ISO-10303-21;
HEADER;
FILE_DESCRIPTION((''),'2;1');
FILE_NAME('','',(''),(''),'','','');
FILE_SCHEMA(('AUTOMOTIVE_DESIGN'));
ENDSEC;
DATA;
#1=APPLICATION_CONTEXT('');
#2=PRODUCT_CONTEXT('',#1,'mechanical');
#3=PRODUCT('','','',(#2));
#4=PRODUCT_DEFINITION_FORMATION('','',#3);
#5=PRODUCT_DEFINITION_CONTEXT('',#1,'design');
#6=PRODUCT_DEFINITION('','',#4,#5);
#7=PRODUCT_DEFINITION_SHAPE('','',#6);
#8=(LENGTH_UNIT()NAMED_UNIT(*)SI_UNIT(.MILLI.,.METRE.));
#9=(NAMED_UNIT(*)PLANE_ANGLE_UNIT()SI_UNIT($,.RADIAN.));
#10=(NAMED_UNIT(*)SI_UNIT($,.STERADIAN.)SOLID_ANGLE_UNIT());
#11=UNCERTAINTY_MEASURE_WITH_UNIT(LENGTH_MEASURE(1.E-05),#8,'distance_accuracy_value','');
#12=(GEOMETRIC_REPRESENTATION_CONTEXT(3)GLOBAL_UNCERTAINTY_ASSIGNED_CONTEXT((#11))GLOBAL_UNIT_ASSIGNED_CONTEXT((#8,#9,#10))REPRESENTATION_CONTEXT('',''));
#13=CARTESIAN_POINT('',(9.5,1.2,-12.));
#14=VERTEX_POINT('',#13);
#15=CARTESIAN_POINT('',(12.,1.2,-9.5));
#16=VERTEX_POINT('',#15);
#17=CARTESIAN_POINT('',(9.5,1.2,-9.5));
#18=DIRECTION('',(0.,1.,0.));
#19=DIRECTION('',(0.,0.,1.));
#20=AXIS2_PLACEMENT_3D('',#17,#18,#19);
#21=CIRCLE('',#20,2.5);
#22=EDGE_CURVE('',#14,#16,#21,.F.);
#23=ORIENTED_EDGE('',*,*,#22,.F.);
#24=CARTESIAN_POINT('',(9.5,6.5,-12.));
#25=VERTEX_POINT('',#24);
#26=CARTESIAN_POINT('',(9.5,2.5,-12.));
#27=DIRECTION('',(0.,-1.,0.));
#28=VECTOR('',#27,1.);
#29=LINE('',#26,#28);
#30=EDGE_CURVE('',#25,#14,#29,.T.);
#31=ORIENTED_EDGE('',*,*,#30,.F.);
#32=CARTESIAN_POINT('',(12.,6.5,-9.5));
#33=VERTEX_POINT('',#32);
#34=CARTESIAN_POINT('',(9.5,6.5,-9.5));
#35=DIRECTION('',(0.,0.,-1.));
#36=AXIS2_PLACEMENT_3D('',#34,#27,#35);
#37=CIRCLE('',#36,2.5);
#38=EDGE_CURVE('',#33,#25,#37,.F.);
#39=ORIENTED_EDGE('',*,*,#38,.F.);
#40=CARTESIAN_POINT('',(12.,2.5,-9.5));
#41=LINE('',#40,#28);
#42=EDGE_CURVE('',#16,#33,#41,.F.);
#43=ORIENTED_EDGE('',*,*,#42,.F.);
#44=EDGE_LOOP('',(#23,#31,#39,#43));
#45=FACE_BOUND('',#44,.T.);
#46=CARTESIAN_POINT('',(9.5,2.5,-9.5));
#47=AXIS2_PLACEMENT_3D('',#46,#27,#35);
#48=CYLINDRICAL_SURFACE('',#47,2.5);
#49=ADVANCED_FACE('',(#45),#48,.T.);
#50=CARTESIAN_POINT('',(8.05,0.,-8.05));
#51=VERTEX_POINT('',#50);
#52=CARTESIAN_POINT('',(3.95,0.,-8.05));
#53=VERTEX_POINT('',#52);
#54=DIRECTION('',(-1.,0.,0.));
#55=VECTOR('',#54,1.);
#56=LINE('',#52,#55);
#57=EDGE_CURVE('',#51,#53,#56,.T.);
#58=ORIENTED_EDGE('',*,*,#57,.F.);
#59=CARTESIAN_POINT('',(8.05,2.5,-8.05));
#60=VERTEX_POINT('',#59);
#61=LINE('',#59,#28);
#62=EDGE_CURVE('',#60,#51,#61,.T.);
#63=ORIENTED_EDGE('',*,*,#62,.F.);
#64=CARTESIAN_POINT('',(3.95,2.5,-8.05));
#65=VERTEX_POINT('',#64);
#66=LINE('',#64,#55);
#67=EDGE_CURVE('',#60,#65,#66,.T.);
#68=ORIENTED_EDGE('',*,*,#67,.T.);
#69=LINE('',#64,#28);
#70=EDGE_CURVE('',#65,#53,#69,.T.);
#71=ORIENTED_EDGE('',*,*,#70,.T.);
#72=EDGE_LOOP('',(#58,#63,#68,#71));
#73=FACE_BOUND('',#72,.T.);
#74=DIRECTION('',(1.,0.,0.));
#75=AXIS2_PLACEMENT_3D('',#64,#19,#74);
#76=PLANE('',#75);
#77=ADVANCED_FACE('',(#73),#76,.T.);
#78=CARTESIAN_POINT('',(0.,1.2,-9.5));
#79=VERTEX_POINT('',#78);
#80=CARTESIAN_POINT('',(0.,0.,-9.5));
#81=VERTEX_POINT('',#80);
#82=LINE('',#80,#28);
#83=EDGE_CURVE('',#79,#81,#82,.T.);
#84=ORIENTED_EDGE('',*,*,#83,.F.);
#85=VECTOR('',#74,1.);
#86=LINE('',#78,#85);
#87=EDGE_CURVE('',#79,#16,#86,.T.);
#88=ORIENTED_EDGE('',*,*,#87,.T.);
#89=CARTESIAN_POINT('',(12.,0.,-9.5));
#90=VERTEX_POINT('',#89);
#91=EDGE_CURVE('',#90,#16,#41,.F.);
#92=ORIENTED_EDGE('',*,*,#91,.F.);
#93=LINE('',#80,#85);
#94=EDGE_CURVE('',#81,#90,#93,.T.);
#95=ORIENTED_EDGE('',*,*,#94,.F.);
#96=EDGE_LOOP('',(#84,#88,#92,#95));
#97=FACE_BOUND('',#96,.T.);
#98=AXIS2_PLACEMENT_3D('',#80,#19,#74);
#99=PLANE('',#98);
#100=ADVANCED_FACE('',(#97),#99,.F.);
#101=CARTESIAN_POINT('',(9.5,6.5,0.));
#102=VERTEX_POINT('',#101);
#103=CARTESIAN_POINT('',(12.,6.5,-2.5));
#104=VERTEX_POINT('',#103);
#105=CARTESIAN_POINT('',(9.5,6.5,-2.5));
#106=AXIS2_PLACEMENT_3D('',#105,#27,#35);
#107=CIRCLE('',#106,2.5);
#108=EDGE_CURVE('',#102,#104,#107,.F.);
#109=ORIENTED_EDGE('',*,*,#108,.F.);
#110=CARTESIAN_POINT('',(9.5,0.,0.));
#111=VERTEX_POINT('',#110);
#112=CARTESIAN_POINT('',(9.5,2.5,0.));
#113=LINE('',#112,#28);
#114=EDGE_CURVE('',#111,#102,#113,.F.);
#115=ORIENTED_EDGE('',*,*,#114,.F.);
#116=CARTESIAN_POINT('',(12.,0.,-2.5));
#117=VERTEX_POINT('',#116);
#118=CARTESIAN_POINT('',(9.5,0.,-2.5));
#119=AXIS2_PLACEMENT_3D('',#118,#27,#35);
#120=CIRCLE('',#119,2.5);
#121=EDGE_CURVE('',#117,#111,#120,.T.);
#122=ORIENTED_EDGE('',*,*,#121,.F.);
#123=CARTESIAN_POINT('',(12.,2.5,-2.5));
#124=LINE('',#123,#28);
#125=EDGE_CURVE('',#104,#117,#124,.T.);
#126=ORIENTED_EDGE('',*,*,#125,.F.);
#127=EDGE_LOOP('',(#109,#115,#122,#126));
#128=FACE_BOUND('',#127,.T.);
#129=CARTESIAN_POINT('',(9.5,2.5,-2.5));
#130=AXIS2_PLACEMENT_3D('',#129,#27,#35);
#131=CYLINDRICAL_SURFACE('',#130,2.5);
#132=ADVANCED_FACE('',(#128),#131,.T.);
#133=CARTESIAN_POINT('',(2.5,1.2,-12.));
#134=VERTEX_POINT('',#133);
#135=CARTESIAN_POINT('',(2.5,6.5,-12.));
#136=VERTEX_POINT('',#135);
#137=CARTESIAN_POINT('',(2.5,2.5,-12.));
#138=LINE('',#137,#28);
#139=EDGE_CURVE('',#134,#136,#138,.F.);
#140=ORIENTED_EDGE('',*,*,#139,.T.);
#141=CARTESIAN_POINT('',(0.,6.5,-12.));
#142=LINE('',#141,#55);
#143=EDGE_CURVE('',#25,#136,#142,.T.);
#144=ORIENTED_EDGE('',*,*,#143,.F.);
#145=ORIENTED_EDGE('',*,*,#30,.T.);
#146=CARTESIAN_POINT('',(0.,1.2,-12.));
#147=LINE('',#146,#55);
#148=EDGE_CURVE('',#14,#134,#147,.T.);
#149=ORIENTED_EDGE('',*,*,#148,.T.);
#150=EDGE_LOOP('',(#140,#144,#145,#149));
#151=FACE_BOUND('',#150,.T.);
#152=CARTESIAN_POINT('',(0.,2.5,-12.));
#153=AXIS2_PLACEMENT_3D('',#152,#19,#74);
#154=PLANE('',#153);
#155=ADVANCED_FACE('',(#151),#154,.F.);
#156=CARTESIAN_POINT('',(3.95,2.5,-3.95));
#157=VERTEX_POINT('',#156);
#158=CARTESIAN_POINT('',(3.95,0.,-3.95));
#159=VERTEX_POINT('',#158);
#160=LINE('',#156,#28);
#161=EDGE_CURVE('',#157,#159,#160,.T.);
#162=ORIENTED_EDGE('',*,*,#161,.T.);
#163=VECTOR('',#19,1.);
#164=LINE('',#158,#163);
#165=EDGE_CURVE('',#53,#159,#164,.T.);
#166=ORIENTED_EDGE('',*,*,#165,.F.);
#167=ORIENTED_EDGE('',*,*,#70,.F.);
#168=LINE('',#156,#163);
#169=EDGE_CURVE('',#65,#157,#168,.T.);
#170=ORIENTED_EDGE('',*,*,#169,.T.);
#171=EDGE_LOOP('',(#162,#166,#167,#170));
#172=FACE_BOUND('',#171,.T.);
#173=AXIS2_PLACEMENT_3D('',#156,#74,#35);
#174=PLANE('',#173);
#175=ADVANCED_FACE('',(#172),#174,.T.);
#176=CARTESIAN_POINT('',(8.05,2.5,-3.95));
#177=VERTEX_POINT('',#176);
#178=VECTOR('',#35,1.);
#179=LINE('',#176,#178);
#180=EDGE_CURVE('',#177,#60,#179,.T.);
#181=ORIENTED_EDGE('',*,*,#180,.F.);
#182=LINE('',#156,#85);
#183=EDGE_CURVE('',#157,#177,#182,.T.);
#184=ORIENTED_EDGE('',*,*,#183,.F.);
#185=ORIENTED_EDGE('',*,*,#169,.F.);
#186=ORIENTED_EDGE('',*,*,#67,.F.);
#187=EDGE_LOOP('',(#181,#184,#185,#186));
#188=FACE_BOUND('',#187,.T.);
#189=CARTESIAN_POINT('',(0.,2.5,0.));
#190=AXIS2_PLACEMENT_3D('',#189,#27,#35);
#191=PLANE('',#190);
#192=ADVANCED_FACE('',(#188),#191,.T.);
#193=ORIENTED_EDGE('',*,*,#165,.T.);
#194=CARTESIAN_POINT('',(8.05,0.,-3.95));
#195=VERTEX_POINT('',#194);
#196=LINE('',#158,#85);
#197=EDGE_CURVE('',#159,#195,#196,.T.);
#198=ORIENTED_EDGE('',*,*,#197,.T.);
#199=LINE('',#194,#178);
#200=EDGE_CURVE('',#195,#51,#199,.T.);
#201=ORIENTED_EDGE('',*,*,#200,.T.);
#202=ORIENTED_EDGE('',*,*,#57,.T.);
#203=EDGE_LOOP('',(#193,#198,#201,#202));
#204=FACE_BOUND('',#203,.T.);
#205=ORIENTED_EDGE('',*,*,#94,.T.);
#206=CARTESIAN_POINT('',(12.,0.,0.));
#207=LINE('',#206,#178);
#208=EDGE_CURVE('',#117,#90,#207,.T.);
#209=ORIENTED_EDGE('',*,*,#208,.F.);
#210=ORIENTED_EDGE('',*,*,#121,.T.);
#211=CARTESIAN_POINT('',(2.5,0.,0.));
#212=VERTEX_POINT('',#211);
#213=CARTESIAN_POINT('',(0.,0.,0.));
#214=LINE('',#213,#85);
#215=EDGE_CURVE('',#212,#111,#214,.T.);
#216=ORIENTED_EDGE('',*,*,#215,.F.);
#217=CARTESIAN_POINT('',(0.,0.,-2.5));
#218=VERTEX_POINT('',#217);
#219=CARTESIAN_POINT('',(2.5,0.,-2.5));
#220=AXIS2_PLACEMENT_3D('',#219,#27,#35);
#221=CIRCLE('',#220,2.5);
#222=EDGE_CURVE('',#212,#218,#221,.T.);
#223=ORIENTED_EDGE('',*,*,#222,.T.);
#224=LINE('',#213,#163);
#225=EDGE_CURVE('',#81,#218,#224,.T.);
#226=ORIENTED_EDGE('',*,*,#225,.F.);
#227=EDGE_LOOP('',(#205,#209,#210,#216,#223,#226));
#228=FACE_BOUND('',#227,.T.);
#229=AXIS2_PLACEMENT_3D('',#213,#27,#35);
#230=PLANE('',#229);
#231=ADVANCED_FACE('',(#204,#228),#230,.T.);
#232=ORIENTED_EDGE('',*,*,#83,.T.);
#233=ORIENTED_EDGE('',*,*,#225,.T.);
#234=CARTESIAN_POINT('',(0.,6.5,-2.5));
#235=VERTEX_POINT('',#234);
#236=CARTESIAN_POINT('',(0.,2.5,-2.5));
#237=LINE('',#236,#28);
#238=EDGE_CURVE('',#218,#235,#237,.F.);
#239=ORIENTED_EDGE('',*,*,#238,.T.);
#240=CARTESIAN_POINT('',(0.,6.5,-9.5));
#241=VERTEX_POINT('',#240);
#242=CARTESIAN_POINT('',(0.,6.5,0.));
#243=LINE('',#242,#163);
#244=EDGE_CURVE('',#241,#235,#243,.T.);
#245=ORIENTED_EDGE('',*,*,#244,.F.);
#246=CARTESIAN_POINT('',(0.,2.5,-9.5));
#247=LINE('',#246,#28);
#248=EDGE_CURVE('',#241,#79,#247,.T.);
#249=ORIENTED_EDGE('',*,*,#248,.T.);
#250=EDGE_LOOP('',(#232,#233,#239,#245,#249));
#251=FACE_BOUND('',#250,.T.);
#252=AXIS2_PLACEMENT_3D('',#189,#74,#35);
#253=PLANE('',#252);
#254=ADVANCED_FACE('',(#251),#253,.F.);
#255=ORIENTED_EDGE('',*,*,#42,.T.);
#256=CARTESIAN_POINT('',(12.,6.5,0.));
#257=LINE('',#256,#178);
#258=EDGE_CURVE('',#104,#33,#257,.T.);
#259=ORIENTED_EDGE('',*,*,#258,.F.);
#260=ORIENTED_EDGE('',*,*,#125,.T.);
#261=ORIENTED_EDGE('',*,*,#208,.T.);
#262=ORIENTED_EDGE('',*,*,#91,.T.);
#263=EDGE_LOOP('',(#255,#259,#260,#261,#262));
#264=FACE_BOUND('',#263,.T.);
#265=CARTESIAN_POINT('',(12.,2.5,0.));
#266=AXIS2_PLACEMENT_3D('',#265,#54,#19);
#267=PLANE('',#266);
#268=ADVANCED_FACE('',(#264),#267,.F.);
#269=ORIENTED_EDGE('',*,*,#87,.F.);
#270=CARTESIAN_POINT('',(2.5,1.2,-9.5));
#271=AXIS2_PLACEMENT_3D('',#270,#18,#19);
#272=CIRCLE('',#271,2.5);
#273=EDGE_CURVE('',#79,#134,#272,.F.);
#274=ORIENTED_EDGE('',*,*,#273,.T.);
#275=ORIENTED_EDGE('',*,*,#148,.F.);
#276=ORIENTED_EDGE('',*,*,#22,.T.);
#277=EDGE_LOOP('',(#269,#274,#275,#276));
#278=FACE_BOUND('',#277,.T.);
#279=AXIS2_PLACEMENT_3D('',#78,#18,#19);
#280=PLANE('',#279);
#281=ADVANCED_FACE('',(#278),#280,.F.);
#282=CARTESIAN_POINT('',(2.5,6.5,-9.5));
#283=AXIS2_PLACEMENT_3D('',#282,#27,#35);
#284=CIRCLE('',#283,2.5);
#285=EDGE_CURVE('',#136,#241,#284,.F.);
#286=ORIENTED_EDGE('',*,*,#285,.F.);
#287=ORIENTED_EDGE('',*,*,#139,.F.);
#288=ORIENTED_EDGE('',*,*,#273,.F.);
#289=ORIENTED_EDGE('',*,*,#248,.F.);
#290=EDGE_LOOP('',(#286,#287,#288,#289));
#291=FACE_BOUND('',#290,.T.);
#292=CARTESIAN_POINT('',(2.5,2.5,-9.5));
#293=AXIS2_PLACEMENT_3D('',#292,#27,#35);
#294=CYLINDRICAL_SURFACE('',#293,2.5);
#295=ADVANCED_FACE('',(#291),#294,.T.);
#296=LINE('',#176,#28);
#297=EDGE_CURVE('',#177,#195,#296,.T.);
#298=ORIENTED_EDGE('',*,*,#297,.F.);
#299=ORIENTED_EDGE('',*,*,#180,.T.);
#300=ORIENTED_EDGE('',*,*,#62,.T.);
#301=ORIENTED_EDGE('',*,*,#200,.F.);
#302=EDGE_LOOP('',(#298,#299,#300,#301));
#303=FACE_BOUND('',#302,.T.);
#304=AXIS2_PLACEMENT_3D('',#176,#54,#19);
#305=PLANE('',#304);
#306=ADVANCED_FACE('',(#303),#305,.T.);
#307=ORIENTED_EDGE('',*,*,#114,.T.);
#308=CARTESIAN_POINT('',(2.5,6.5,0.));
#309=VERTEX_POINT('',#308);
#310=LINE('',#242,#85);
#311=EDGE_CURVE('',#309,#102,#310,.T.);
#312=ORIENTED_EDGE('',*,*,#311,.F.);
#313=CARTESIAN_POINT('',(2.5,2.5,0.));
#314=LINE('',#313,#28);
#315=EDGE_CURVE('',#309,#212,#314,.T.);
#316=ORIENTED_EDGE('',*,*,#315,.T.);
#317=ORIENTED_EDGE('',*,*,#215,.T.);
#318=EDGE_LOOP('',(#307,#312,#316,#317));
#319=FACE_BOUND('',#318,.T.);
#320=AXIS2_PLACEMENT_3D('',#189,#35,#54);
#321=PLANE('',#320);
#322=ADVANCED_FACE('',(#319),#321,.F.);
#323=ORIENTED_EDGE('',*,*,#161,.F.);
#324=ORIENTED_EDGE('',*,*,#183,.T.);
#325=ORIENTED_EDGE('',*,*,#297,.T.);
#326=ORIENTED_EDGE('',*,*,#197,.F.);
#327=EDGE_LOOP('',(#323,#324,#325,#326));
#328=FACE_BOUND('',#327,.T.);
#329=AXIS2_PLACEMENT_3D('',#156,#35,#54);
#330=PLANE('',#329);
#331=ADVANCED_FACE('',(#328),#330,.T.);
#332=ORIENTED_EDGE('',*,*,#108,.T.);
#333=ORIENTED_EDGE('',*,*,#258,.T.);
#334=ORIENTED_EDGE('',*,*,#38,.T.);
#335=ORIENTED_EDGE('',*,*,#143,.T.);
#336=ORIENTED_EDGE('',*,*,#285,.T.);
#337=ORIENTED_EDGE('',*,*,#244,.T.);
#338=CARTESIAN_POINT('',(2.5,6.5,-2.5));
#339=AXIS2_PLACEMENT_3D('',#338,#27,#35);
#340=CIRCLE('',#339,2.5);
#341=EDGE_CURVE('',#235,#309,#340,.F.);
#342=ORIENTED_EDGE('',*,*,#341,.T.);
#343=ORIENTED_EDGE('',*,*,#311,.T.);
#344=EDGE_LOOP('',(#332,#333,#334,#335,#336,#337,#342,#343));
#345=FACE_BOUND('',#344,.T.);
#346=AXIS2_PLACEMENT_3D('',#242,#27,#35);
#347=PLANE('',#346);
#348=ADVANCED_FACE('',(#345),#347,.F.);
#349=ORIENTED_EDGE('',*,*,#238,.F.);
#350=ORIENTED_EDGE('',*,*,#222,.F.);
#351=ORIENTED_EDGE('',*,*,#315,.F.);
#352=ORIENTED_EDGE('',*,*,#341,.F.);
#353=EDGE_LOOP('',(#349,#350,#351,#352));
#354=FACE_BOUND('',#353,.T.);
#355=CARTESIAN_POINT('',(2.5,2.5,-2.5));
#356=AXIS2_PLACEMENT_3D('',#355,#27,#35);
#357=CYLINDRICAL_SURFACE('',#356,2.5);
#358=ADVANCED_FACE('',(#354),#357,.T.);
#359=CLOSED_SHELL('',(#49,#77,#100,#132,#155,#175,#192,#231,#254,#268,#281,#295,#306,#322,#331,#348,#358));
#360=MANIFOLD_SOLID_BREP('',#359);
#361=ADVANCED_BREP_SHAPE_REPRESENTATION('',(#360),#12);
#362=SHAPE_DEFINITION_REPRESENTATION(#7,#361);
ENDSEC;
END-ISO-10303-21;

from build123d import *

# Parameters (mm, degrees)
SKICA1_W                 = 12
SKICA1_H                 = 12
SKICA1_W_2               = 4.1
SKICA1_H_2               = 4.1
P_IDAT_VYSUNUT_M1_DEPTH  = 2.5
SKICA2_W                 = 12
SKICA2_H                 = 12
P_IDAT_VYSUNUT_M2_DEPTH  = 4
ZAOBLIT1_R               = 2.5
SKICA3_W                 = 3
SKICA3_H                 = 1.2
ODEBRAT_VYSUNUT_M1_DEPTH = 13


with BuildPart() as part:
    # Skica1 → Přidat vysunutím1 (new body)
    with BuildSketch(Plane(origin=(0, 0, 0), x_dir=(1, 0, 0), z_dir=(0, 1, 0))):
        with Locations((6, 6)):
            Rectangle(SKICA1_W, SKICA1_H)
        with Locations((6, 6)):
            Rectangle(SKICA1_W_2, SKICA1_H_2, mode=Mode.SUBTRACT)
    extrude(amount=P_IDAT_VYSUNUT_M1_DEPTH)

    # Skica2 → Přidat vysunutím2 (add)
    with BuildSketch(Plane(origin=(0, 2.5, 0), x_dir=(1, 0, 0), z_dir=(0, 1, 0))):
        with Locations((6, 6)):
            Rectangle(SKICA2_W, SKICA2_H)
    extrude(amount=P_IDAT_VYSUNUT_M2_DEPTH)

    # Zaoblit1
    zaoblit1_edges = [part.edges().sort_by_distance(p)[0] for p in [
        (0, 3.25, -12),
        (12, 3.25, -12),
        (12, 3.25, 0),
        (0, 3.25, 0),
    ]]
    fillet(zaoblit1_edges, radius=ZAOBLIT1_R)

    # Skica3 → Odebrat vysunutím1 (cut, through all)
    with BuildSketch(Plane(origin=(12, 0, 0), x_dir=(0, 0, -1), z_dir=(1, 0, 0))):
        with Locations((11, 0.6)):
            Rectangle(SKICA3_W, SKICA3_H)
    extrude(amount=-ODEBRAT_VYSUNUT_M1_DEPTH, mode=Mode.SUBTRACT)


solid = part.part
